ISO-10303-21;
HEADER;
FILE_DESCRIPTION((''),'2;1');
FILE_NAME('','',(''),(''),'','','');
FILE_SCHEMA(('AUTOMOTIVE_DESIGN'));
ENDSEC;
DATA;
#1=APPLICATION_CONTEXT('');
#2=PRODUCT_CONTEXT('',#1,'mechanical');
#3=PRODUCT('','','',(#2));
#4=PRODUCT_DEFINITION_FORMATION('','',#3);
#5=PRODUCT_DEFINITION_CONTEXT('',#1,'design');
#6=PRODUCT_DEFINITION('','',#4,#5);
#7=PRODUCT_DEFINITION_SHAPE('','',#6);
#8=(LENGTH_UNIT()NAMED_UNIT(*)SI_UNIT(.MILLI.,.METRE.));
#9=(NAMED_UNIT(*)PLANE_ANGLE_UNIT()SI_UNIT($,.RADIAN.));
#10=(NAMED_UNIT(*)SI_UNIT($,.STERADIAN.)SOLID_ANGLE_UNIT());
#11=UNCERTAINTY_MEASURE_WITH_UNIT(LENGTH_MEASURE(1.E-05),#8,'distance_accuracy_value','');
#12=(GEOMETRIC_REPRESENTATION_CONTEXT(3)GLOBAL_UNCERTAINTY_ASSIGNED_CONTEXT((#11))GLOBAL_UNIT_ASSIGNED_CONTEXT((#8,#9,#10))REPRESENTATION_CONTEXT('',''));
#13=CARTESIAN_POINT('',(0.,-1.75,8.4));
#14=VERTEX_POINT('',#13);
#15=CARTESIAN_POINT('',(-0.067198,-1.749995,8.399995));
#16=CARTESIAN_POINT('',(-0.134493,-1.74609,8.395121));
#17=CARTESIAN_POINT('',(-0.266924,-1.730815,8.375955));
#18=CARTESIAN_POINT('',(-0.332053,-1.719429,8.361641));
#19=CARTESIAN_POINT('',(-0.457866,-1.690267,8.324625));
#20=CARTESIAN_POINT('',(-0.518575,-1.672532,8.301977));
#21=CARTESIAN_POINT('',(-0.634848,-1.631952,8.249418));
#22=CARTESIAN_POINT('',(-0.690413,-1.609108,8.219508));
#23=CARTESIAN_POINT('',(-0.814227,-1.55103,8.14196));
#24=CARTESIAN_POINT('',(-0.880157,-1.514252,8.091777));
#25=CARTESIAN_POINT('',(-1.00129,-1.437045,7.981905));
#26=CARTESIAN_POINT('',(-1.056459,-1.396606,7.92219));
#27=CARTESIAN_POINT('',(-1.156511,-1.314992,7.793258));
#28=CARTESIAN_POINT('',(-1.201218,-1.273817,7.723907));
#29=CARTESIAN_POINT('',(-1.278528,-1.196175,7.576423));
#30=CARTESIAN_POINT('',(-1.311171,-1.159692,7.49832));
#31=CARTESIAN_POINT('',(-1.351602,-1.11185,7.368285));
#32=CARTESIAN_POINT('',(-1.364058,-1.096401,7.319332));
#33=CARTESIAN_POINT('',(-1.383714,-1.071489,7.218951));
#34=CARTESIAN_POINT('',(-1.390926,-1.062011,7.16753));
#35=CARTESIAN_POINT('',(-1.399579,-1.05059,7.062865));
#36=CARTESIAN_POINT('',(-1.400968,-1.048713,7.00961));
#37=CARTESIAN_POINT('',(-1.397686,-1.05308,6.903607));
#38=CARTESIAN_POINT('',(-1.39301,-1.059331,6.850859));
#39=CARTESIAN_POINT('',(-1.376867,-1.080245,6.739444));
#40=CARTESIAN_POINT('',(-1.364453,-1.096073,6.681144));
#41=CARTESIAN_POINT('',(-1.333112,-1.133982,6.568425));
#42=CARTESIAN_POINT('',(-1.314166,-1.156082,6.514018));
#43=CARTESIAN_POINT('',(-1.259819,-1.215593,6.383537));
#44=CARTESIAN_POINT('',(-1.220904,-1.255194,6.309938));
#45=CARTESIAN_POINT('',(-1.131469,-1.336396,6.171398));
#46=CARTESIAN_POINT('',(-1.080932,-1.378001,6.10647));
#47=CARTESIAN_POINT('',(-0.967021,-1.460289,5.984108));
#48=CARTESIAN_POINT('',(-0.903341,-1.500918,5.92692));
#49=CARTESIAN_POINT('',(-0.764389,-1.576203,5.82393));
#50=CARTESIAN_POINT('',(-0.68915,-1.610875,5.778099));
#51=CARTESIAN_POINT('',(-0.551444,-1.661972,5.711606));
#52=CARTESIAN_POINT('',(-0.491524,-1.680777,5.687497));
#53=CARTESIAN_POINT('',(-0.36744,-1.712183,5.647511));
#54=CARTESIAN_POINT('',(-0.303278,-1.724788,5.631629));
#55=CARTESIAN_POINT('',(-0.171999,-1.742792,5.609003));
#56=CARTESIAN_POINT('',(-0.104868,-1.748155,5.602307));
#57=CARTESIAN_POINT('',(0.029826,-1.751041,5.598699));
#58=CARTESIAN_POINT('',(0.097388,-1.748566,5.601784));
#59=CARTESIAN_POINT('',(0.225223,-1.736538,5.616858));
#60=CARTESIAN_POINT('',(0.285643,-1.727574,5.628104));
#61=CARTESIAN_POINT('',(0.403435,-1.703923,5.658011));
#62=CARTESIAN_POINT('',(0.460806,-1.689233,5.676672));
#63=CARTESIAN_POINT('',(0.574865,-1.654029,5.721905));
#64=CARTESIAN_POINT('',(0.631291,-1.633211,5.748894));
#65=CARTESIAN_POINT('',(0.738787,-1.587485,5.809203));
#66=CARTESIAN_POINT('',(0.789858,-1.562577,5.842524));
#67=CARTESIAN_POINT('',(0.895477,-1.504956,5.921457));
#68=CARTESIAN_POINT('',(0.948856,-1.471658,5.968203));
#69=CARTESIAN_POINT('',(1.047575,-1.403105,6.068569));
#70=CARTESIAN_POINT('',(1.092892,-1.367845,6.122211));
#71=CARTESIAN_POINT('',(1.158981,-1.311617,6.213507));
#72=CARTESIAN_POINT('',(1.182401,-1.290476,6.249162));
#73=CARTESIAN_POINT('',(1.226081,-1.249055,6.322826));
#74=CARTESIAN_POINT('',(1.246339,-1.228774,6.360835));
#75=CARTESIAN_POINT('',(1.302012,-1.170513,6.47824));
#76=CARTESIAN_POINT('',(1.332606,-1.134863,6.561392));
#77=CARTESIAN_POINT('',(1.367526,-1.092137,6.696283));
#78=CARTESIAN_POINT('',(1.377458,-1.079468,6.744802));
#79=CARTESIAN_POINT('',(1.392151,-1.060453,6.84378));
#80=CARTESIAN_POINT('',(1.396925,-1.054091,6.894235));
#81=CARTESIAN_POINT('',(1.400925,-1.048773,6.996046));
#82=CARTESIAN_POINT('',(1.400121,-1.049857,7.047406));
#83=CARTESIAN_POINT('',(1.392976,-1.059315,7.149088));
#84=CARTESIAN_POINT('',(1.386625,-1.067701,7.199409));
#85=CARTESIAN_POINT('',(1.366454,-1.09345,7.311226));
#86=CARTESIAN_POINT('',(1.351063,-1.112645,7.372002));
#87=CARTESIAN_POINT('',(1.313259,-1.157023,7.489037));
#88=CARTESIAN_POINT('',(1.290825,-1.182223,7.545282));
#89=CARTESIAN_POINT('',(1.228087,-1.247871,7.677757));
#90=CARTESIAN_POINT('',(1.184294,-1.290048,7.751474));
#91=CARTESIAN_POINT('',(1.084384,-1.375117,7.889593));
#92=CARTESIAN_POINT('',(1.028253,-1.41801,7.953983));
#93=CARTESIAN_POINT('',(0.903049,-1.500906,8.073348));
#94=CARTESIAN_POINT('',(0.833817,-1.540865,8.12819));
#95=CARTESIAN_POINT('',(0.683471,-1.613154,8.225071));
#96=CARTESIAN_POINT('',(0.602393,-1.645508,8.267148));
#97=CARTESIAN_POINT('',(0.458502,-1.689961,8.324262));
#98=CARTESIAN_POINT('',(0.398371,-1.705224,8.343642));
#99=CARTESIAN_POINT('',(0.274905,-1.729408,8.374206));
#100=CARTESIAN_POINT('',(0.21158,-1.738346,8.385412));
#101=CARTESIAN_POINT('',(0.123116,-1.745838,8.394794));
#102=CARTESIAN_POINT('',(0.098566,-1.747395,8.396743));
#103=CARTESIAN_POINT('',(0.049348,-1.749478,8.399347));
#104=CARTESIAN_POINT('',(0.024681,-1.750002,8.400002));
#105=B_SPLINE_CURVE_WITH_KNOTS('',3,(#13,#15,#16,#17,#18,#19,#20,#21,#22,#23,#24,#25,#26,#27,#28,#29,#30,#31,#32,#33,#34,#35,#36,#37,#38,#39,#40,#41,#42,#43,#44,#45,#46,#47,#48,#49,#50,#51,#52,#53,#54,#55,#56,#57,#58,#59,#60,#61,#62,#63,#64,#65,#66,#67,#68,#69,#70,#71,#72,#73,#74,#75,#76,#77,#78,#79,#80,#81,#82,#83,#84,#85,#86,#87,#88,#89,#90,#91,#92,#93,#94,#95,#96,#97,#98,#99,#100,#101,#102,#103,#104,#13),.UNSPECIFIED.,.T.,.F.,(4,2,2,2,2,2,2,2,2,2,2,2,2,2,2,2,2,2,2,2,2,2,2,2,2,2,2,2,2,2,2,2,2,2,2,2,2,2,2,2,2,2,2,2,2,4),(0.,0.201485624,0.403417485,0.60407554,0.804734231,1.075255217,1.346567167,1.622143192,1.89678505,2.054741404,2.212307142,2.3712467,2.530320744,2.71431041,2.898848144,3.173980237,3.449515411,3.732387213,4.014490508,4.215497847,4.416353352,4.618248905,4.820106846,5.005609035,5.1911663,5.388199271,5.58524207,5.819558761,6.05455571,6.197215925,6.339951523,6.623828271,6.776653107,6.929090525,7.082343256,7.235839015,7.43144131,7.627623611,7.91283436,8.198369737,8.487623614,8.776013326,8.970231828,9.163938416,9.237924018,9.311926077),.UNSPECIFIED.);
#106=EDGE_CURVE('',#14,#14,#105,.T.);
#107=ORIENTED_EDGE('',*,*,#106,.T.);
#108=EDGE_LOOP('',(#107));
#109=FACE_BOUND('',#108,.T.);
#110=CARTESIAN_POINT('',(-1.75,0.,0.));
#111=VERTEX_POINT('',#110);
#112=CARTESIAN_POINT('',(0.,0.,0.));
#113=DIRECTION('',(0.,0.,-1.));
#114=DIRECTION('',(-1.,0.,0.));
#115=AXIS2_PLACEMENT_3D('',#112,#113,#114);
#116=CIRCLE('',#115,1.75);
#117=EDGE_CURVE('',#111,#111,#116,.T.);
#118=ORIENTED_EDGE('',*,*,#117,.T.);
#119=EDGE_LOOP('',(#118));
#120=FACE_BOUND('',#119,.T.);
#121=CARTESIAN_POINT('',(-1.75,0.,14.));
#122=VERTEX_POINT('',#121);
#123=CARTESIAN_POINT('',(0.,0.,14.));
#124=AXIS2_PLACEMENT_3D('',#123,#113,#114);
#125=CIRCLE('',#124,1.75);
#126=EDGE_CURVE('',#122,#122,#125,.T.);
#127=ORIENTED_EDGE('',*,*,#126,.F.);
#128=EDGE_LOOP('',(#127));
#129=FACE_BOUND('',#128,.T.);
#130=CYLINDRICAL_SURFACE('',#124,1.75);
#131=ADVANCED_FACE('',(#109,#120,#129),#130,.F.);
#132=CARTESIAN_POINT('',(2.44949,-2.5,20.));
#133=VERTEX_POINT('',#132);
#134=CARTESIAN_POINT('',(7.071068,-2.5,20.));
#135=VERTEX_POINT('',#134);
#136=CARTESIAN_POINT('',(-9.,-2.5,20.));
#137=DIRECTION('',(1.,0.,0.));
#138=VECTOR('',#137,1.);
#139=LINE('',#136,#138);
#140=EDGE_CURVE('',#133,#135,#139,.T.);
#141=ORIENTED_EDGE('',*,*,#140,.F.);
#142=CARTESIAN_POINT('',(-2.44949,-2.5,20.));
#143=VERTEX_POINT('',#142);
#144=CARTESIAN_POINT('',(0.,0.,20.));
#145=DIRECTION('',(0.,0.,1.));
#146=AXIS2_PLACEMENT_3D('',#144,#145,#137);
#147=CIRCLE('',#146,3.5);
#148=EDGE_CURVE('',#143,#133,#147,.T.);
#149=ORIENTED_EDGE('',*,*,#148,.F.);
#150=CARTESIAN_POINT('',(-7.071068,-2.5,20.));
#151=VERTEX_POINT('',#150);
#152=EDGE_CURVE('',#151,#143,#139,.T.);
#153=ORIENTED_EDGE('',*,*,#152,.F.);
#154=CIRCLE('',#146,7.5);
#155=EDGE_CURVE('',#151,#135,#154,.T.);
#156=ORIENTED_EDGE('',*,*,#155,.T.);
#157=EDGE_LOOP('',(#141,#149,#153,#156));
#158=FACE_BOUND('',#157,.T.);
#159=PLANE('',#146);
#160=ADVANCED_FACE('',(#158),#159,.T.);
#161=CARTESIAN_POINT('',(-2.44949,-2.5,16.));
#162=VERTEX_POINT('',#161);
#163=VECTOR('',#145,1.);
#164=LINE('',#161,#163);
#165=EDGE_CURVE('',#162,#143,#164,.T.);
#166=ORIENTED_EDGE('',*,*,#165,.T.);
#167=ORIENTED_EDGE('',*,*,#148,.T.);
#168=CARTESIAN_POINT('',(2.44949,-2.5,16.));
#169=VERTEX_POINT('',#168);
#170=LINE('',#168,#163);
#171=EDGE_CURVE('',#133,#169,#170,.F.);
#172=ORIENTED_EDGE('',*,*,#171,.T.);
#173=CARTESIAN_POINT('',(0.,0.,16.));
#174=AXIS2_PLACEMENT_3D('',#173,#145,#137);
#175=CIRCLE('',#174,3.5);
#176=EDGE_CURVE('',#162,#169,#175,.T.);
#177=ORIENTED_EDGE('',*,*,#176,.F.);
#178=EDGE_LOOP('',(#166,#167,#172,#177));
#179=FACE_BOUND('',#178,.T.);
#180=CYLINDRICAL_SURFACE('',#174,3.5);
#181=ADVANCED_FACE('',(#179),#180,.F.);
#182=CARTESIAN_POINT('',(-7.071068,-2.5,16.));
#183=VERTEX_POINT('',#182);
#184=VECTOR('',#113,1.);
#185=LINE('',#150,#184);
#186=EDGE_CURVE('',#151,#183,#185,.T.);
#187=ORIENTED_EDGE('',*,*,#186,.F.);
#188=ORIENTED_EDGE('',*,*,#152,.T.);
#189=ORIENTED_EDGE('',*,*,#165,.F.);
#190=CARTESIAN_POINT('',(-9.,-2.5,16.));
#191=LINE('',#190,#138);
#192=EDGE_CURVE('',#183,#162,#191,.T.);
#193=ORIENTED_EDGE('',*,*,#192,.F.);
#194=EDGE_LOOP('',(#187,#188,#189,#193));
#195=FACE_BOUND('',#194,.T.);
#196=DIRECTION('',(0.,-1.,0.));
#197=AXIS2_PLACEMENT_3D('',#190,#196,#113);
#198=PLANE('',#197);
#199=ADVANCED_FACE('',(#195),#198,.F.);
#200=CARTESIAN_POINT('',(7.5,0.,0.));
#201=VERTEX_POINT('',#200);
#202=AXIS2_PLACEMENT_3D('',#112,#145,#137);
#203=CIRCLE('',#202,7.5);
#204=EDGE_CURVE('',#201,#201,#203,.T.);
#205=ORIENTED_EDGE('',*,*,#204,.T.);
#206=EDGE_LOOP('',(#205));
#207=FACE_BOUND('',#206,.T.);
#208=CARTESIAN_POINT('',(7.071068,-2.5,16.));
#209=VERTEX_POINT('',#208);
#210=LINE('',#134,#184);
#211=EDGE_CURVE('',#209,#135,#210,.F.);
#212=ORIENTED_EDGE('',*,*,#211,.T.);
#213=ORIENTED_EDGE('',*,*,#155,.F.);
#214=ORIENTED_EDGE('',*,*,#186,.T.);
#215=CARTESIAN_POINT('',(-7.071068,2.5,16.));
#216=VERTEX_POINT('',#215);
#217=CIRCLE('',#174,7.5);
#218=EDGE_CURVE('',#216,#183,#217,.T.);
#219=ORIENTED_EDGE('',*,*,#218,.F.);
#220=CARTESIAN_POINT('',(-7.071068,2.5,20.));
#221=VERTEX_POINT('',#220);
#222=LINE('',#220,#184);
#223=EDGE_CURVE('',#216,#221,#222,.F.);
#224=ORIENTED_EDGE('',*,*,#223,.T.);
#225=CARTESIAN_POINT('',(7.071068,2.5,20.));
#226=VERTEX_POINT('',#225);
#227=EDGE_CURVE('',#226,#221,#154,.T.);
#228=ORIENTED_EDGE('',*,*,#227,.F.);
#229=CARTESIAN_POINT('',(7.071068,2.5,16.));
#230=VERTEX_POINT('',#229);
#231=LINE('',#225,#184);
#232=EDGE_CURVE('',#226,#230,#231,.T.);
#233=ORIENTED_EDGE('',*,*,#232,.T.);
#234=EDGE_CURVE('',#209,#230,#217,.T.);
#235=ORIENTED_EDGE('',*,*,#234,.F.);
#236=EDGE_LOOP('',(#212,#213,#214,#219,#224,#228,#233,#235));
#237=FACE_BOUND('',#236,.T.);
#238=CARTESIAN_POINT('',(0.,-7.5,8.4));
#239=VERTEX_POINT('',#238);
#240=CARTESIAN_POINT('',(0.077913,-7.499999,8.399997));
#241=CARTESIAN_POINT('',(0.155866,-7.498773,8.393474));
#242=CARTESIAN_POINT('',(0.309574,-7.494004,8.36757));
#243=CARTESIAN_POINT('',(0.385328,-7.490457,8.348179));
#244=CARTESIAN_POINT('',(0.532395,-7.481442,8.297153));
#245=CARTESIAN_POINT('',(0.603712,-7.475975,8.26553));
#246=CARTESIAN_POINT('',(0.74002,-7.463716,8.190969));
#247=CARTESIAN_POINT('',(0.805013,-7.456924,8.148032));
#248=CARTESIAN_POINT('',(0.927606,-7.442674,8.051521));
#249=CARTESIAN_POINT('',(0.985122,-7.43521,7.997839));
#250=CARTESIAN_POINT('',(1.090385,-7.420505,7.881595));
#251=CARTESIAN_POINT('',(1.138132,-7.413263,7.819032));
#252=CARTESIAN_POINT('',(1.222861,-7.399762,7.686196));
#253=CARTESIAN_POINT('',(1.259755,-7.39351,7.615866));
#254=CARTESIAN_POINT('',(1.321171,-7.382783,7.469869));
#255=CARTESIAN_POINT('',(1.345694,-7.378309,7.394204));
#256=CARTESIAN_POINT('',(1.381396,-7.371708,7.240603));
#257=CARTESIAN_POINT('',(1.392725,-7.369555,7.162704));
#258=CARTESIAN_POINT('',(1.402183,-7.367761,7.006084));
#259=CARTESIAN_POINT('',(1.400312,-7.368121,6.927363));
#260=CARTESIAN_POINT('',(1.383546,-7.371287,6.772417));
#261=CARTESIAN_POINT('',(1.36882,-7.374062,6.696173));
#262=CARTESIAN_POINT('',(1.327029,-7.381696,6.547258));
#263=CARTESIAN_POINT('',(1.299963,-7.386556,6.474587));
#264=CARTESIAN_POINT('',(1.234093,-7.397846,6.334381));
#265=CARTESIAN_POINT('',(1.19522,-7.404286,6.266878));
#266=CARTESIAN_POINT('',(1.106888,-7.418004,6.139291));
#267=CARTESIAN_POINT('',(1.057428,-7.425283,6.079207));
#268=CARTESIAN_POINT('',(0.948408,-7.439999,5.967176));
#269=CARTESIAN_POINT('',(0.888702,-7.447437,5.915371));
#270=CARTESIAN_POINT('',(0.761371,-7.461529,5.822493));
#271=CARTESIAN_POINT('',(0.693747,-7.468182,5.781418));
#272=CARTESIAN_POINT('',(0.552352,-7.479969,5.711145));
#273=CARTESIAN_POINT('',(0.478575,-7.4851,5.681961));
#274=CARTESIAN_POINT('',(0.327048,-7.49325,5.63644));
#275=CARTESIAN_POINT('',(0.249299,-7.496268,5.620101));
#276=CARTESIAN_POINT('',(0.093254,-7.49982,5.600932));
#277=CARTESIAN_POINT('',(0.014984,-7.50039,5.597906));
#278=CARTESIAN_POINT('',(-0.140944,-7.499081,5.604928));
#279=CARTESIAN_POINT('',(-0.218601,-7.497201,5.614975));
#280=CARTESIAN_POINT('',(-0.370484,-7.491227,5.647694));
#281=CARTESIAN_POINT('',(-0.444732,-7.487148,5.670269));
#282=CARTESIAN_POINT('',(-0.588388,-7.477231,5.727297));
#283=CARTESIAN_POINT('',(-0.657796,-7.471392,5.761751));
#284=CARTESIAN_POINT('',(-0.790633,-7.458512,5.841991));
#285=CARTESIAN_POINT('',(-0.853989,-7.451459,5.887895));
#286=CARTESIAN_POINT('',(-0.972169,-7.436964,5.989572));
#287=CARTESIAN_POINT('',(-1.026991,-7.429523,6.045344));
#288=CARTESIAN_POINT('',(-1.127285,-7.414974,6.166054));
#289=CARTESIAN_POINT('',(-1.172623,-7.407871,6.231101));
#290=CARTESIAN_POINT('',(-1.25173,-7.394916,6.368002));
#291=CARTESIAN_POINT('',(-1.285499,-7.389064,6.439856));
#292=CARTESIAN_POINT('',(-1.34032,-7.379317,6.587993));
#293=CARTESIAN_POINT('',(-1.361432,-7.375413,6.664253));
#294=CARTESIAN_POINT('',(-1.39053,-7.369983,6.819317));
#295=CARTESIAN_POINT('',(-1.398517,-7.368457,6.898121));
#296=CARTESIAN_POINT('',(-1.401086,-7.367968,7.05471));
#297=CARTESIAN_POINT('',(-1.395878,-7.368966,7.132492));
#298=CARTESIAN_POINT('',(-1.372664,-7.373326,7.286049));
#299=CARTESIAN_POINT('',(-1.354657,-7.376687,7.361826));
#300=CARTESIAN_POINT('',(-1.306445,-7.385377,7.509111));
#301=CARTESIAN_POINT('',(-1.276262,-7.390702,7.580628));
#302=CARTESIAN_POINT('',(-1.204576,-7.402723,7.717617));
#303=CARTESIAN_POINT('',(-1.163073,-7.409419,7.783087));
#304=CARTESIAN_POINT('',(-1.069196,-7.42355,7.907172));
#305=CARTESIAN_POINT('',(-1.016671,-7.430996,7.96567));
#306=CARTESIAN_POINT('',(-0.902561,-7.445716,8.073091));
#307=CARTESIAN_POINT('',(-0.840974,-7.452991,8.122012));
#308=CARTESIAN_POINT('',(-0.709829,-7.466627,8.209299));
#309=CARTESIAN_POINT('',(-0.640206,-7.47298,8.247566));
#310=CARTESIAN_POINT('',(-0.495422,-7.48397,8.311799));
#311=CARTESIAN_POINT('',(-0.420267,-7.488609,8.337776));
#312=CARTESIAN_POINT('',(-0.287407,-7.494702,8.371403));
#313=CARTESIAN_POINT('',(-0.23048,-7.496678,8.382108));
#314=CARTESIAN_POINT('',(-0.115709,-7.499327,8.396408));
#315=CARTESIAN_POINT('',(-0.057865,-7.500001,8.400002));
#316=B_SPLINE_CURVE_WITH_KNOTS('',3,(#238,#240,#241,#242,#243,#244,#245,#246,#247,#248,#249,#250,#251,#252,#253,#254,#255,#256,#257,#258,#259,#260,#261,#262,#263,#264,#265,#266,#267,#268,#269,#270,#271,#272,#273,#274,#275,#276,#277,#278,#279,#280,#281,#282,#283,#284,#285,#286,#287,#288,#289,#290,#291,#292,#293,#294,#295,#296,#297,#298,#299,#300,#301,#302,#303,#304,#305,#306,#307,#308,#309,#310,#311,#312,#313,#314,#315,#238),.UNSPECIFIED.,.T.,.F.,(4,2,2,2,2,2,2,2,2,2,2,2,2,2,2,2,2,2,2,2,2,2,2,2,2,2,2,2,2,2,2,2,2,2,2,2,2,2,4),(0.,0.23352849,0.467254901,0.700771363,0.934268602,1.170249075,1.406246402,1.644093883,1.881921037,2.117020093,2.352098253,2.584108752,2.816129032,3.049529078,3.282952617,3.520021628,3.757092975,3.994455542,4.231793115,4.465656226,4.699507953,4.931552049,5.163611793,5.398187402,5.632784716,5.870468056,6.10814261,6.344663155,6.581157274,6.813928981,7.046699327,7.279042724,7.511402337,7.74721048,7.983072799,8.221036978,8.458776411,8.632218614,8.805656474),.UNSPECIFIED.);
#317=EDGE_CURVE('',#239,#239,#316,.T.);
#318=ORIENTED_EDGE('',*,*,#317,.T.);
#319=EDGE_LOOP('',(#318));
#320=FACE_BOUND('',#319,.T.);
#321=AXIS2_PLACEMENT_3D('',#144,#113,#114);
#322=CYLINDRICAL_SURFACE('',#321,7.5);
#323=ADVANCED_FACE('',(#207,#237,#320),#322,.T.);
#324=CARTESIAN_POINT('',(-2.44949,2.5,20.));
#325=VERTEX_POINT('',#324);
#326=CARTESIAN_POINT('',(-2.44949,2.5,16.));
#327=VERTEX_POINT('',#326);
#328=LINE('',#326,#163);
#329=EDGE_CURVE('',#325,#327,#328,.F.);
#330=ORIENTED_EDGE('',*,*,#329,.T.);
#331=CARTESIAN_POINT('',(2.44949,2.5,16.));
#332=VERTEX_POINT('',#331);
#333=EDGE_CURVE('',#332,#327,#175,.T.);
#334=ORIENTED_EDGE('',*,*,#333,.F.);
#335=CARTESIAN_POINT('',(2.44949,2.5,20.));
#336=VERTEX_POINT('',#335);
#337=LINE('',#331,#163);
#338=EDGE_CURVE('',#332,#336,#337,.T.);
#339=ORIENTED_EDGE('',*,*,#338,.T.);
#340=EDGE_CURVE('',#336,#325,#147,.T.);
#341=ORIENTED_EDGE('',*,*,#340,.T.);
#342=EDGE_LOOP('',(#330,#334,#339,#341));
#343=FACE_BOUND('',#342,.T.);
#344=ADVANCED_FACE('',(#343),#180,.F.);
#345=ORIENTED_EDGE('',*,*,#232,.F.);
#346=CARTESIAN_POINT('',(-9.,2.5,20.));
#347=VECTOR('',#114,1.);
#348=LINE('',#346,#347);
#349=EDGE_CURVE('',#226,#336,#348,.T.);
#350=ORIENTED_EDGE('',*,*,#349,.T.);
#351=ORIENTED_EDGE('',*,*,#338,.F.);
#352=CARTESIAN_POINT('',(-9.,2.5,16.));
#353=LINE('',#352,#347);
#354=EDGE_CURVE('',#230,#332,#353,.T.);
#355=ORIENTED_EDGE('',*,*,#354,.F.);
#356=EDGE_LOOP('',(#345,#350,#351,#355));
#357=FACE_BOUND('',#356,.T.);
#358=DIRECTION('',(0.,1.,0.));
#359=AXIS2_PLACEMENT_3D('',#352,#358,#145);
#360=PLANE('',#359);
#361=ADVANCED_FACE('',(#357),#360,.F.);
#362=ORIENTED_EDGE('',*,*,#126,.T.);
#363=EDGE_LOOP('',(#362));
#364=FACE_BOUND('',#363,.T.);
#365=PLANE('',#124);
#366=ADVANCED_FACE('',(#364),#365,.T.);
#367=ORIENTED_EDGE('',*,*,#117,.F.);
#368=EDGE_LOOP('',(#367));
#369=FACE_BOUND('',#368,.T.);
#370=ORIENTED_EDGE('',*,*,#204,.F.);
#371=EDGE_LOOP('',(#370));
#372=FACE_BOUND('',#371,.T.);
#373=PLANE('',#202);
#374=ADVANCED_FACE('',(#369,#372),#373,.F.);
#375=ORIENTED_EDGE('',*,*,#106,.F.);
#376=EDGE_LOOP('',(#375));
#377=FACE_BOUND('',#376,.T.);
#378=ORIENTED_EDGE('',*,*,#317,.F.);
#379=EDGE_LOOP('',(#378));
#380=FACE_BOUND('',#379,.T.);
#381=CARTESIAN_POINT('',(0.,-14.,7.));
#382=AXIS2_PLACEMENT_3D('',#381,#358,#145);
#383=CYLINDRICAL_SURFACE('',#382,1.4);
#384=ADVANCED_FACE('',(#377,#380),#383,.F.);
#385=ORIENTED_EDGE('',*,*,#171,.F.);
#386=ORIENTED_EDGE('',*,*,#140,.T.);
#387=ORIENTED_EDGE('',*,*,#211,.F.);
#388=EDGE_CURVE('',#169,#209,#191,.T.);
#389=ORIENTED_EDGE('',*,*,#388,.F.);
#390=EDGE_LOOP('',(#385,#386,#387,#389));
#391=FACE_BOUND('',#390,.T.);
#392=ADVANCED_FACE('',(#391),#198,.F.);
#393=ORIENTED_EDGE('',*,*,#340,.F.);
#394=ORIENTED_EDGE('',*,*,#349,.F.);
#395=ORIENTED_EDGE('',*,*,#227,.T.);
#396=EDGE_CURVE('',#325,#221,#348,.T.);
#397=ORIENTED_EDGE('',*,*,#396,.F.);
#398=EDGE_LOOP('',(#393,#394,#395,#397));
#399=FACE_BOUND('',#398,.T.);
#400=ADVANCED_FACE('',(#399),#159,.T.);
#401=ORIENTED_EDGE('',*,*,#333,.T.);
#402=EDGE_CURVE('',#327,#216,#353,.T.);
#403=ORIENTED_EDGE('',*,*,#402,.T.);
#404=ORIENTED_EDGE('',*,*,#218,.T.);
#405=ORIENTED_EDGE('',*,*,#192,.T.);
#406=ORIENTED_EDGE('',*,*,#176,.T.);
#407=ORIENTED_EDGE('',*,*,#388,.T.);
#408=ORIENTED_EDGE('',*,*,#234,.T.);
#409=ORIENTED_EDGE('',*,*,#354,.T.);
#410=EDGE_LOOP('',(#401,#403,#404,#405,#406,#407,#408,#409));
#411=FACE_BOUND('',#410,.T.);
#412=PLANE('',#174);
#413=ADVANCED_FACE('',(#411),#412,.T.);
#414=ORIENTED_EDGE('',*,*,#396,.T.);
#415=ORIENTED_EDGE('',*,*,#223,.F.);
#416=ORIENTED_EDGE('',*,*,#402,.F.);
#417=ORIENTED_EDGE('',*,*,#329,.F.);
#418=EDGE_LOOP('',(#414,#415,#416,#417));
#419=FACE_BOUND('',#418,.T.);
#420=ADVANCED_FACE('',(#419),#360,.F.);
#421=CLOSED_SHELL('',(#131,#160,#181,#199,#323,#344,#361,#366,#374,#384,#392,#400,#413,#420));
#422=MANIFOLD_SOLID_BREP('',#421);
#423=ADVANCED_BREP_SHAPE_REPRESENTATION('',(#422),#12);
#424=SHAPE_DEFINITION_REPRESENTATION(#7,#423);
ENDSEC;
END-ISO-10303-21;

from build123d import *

# Parameters (mm, degrees)
SKETCH_1_R          = 7.5
EXTRUDE_1_DEPTH     = 20
SKETCH_2_R          = 3.5
CUT_EXTRUDE_1_DEPTH = 4
SKETCH_3_R          = 1.75
CUT_EXTRUDE_2_DEPTH = 14
SKETCH_4_R          = 1.4
CUT_EXTRUDE_3_DEPTH = 14
SKETCH_5_W          = 18
SKETCH_5_H          = 5
CUT_EXTRUDE_4_DEPTH = 4


with BuildPart() as part:
    # Эскиз1 → Бобышка-Вытянуть1 (new body)
    with BuildSketch(Plane.XY):
        Circle(SKETCH_1_R)
    extrude(amount=EXTRUDE_1_DEPTH)

    # Эскиз2 → Вырез-Вытянуть1 (cut)
    with BuildSketch(Plane.XY.offset(20)):
        Circle(SKETCH_2_R)
    extrude(amount=-CUT_EXTRUDE_1_DEPTH, mode=Mode.SUBTRACT)

    # Эскиз3 → Вырез-Вытянуть2 (cut)
    with BuildSketch(Plane(origin=(0, 0, 0), x_dir=(-1, 0, 0), z_dir=(0, 0, -1))):
        Circle(SKETCH_3_R)
    extrude(amount=-CUT_EXTRUDE_2_DEPTH, mode=Mode.SUBTRACT)

    # Эскиз4 → Вырез-Вытянуть3 (cut)
    with BuildSketch(Plane(origin=(0, 0, 0), x_dir=(1, 0, 0), z_dir=(0, 1, 0))):
        with Locations(Location((0, -7, 0), (0, 0, 270))):
            Circle(SKETCH_4_R)
    extrude(amount=-CUT_EXTRUDE_3_DEPTH, mode=Mode.SUBTRACT)

    # Эскиз5 → Вырез-Вытянуть4 (cut)
    with BuildSketch(Plane.XY.offset(20)):
        Rectangle(SKETCH_5_W, SKETCH_5_H)
    extrude(amount=-CUT_EXTRUDE_4_DEPTH, mode=Mode.SUBTRACT)


solid = part.part
